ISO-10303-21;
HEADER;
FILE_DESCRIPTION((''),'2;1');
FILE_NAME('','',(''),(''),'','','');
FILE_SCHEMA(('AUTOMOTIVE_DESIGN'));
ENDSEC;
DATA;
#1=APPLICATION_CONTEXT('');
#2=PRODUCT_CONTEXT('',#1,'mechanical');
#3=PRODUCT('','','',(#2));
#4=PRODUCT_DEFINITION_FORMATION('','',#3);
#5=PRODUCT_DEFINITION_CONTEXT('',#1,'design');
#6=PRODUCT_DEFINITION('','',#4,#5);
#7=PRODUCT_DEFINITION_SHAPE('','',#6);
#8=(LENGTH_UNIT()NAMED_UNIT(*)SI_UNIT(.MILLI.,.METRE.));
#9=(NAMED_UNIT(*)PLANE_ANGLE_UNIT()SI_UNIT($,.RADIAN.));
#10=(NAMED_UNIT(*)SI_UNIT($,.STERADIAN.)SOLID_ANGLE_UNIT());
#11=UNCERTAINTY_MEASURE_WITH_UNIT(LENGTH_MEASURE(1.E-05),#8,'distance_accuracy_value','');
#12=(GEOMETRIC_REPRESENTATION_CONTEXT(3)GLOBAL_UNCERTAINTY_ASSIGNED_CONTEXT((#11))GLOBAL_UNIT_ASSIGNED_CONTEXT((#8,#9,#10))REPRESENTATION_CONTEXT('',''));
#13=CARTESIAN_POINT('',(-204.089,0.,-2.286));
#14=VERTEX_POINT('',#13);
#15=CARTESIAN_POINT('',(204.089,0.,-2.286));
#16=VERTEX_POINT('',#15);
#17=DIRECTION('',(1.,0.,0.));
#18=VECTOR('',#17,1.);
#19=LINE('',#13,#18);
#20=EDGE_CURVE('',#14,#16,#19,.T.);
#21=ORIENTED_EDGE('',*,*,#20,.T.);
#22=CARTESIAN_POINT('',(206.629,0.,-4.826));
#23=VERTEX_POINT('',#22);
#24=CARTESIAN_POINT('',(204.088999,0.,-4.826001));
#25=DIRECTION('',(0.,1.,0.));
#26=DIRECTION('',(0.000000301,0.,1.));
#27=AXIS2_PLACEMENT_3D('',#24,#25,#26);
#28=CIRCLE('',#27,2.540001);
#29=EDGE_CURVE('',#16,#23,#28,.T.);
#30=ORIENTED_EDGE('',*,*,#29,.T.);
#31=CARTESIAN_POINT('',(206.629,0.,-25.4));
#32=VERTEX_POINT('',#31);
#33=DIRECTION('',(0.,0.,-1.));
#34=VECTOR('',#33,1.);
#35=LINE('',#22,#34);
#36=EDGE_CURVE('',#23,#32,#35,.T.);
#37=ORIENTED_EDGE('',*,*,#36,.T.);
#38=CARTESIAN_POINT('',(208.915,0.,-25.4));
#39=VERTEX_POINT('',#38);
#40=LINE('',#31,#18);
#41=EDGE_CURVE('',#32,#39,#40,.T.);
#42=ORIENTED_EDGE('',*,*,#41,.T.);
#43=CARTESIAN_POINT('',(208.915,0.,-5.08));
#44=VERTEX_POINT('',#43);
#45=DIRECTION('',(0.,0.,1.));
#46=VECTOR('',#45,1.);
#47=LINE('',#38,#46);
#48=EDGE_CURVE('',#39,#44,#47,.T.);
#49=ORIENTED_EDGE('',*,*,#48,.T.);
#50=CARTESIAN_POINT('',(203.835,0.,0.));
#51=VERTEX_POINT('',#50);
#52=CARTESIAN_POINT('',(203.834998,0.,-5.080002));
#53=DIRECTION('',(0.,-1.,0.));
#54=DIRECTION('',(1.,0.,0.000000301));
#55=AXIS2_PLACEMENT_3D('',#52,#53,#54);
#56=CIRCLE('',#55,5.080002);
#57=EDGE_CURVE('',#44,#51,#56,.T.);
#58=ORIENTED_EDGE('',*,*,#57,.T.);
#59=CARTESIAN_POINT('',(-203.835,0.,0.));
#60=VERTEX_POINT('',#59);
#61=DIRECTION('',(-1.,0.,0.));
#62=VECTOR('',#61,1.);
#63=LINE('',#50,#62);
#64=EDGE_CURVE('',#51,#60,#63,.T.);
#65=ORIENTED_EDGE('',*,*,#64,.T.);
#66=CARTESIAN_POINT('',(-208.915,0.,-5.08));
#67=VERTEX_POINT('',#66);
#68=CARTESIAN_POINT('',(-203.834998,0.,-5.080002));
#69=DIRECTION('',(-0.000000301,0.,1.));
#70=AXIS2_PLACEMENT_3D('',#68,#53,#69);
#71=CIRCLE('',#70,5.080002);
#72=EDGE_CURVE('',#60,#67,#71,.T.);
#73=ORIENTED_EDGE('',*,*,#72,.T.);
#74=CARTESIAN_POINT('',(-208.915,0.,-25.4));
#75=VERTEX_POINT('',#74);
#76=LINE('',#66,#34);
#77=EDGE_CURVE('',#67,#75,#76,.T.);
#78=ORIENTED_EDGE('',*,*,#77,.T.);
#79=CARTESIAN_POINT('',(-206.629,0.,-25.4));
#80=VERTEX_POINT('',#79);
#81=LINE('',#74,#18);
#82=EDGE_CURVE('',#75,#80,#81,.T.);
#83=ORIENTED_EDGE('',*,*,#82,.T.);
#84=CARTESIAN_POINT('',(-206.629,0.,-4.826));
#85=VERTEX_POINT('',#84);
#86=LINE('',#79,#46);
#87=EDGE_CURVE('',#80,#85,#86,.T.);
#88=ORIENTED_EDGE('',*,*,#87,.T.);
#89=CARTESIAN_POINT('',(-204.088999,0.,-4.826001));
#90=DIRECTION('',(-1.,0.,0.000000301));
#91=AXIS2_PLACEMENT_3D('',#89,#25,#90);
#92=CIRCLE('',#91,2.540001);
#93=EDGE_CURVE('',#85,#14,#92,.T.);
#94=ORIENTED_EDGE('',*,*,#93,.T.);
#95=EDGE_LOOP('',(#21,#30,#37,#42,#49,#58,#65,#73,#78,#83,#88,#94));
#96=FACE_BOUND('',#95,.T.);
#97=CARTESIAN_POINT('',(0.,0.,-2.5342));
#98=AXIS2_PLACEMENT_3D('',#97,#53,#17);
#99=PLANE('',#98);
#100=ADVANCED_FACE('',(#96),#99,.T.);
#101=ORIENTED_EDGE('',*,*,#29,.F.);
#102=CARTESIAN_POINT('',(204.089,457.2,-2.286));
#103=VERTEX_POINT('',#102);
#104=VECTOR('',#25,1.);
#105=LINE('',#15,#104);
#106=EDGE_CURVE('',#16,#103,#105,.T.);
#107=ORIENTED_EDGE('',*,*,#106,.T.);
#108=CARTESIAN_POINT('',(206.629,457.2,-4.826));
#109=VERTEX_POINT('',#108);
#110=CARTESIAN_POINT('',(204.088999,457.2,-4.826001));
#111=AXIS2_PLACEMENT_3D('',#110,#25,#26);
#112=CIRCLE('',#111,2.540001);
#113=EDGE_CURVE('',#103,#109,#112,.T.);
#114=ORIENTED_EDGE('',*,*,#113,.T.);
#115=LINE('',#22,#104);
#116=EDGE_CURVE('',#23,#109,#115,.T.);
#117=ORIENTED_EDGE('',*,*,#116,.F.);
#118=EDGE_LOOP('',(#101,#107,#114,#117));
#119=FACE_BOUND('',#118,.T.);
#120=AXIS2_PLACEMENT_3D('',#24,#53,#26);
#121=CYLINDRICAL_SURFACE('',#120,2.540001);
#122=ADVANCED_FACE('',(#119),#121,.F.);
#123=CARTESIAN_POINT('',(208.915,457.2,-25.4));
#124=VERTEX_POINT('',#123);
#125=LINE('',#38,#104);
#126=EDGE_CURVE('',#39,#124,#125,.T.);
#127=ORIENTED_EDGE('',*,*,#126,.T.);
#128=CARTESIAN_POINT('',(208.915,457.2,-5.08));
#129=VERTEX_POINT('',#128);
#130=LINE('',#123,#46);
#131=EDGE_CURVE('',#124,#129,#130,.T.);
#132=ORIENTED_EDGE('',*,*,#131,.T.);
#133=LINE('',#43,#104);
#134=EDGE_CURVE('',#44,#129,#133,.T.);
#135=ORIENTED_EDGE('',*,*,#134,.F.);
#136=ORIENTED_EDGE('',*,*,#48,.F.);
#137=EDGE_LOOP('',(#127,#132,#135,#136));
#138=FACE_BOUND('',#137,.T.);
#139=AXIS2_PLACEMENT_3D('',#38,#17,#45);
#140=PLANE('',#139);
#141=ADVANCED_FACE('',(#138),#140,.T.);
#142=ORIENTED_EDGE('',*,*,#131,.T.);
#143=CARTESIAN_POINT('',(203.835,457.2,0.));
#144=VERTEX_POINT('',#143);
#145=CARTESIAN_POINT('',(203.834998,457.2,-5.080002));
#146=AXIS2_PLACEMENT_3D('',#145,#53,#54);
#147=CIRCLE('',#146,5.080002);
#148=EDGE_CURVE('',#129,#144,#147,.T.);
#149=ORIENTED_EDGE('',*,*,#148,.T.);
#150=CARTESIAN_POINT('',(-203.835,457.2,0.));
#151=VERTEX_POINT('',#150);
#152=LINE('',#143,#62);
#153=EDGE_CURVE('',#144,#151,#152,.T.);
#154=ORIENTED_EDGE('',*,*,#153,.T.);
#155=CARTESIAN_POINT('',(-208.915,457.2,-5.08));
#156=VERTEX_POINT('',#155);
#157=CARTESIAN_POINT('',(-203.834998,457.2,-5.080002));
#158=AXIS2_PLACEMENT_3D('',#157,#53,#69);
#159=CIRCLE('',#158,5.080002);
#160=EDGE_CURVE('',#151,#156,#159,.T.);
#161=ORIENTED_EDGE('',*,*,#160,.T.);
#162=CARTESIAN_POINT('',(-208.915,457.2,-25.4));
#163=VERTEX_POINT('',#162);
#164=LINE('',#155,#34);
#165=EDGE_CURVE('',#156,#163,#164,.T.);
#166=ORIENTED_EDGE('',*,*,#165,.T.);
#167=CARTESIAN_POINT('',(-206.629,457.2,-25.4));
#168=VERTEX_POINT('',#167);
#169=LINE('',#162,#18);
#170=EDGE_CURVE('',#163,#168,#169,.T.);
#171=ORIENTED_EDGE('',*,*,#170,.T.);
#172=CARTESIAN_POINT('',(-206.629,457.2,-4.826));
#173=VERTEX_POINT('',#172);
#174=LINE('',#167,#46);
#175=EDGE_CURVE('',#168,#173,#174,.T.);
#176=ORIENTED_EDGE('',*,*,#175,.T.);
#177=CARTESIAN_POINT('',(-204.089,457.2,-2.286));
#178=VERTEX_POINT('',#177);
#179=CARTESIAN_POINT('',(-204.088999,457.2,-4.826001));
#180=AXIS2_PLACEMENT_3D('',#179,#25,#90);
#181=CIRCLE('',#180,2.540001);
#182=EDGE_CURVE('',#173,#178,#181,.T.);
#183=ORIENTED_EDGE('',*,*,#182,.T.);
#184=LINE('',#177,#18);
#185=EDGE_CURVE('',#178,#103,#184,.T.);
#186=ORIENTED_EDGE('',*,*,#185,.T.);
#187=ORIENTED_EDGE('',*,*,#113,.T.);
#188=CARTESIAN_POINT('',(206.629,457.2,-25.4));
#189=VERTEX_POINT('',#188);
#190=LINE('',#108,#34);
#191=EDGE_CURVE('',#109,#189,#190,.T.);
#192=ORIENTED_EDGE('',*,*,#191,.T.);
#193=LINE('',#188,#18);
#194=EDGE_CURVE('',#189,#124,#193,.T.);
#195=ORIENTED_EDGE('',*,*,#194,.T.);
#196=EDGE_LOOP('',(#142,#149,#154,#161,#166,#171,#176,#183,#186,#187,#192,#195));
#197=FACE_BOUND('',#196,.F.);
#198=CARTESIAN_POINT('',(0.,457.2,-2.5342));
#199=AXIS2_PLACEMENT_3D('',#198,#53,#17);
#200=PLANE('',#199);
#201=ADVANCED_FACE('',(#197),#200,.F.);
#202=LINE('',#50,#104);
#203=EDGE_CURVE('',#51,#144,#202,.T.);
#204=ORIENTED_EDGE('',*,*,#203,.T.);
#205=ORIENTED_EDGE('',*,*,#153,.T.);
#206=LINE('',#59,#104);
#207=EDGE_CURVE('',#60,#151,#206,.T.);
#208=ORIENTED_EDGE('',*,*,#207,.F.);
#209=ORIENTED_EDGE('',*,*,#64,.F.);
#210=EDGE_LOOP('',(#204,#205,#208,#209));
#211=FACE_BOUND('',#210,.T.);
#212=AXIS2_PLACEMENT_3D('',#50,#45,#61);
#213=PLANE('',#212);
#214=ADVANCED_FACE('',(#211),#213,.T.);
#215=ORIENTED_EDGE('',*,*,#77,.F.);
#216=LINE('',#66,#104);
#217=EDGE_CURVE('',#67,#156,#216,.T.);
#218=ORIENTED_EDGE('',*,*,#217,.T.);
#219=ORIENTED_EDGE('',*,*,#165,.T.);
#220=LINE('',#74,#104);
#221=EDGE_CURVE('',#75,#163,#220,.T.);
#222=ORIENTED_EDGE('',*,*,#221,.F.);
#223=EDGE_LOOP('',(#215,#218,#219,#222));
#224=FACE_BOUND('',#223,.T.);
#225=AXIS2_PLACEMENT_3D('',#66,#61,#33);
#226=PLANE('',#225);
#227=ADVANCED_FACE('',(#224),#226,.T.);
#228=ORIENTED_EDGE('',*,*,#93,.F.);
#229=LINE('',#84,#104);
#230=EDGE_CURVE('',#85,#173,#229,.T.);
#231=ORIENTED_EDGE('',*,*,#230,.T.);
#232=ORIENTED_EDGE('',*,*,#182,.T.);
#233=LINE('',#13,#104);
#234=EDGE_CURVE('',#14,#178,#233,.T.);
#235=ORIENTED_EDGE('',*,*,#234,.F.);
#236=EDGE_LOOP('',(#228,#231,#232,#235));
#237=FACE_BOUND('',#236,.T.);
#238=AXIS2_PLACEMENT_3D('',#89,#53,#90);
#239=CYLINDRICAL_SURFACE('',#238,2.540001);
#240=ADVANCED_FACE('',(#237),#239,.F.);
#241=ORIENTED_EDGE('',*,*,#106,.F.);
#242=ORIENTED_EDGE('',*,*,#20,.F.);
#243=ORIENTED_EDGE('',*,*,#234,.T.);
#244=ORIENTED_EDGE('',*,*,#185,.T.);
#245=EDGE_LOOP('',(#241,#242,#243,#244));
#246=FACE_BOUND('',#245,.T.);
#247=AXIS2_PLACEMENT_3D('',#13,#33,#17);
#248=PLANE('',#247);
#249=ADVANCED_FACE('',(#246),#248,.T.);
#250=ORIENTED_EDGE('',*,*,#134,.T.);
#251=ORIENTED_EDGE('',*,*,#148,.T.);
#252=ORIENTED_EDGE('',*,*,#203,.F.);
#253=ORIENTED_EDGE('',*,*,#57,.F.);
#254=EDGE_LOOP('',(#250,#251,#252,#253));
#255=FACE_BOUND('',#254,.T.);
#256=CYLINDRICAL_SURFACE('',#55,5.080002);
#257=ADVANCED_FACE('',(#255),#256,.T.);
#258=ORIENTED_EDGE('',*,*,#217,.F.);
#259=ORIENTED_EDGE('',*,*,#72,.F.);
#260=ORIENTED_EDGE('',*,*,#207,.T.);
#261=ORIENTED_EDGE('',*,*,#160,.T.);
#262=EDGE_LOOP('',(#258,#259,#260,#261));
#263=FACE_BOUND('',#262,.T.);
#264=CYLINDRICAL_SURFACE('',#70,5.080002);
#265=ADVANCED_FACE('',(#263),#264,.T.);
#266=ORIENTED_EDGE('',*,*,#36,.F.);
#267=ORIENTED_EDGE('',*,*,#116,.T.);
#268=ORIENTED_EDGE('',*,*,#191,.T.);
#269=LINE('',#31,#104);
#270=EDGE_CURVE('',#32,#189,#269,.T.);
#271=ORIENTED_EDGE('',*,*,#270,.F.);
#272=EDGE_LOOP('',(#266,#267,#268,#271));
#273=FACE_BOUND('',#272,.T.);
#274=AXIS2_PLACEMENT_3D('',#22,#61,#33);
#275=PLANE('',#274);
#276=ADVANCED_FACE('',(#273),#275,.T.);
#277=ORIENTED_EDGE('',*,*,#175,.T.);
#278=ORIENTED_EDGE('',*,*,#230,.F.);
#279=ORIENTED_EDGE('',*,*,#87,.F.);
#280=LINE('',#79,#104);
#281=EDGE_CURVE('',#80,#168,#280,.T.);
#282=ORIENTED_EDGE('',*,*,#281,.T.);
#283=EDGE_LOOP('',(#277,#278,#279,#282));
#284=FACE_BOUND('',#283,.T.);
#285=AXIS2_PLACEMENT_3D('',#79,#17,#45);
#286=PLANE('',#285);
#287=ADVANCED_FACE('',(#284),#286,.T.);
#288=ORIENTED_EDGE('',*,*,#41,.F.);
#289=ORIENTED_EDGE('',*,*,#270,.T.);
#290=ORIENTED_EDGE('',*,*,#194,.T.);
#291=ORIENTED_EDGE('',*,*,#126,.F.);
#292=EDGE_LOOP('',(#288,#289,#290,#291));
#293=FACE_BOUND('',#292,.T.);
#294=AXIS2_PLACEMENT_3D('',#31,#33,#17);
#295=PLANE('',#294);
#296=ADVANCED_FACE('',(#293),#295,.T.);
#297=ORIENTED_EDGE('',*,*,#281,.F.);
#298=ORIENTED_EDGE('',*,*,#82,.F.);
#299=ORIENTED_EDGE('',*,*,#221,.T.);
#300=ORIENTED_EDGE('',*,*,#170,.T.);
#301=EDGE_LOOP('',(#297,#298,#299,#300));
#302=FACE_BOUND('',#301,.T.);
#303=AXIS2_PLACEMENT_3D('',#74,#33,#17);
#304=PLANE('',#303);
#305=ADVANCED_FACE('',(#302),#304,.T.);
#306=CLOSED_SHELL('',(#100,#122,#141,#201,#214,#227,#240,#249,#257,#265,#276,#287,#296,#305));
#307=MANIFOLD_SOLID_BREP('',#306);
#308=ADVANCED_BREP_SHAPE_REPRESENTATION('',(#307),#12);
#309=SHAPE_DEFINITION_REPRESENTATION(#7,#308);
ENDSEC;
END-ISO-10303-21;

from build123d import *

# Parameters (mm, degrees)
F1_DEPTH = 457.2


with BuildPart() as f1:
    # F0 (on Front) → F1 (new body)
    with BuildSketch(Plane.XZ):
        with BuildLine():
            Line((203.835, 0), (-203.835, 0))
            ThreePointArc((-203.835, 0), (-207.427102, -1.487898), (-208.915, -5.08))
            Line((-208.915, -5.08), (-208.915, -25.4))
            Line((-208.915, -25.4), (-206.629, -25.4))
            Line((-206.629, -25.4), (-206.629, -4.826))
            ThreePointArc((-206.629, -4.826), (-205.885051, -3.029949), (-204.089, -2.286))
            Line((-204.089, -2.286), (204.089, -2.286))
            ThreePointArc((204.089, -2.286), (205.885051, -3.029949), (206.629, -4.826))
            Line((206.629, -4.826), (206.629, -25.4))
            Line((206.629, -25.4), (208.915, -25.4))
            Line((208.915, -25.4), (208.915, -5.08))
            ThreePointArc((208.915, -5.08), (207.427102, -1.487898), (203.835, 0))
        make_face()
    extrude(amount=-F1_DEPTH)


solid = f1.part
